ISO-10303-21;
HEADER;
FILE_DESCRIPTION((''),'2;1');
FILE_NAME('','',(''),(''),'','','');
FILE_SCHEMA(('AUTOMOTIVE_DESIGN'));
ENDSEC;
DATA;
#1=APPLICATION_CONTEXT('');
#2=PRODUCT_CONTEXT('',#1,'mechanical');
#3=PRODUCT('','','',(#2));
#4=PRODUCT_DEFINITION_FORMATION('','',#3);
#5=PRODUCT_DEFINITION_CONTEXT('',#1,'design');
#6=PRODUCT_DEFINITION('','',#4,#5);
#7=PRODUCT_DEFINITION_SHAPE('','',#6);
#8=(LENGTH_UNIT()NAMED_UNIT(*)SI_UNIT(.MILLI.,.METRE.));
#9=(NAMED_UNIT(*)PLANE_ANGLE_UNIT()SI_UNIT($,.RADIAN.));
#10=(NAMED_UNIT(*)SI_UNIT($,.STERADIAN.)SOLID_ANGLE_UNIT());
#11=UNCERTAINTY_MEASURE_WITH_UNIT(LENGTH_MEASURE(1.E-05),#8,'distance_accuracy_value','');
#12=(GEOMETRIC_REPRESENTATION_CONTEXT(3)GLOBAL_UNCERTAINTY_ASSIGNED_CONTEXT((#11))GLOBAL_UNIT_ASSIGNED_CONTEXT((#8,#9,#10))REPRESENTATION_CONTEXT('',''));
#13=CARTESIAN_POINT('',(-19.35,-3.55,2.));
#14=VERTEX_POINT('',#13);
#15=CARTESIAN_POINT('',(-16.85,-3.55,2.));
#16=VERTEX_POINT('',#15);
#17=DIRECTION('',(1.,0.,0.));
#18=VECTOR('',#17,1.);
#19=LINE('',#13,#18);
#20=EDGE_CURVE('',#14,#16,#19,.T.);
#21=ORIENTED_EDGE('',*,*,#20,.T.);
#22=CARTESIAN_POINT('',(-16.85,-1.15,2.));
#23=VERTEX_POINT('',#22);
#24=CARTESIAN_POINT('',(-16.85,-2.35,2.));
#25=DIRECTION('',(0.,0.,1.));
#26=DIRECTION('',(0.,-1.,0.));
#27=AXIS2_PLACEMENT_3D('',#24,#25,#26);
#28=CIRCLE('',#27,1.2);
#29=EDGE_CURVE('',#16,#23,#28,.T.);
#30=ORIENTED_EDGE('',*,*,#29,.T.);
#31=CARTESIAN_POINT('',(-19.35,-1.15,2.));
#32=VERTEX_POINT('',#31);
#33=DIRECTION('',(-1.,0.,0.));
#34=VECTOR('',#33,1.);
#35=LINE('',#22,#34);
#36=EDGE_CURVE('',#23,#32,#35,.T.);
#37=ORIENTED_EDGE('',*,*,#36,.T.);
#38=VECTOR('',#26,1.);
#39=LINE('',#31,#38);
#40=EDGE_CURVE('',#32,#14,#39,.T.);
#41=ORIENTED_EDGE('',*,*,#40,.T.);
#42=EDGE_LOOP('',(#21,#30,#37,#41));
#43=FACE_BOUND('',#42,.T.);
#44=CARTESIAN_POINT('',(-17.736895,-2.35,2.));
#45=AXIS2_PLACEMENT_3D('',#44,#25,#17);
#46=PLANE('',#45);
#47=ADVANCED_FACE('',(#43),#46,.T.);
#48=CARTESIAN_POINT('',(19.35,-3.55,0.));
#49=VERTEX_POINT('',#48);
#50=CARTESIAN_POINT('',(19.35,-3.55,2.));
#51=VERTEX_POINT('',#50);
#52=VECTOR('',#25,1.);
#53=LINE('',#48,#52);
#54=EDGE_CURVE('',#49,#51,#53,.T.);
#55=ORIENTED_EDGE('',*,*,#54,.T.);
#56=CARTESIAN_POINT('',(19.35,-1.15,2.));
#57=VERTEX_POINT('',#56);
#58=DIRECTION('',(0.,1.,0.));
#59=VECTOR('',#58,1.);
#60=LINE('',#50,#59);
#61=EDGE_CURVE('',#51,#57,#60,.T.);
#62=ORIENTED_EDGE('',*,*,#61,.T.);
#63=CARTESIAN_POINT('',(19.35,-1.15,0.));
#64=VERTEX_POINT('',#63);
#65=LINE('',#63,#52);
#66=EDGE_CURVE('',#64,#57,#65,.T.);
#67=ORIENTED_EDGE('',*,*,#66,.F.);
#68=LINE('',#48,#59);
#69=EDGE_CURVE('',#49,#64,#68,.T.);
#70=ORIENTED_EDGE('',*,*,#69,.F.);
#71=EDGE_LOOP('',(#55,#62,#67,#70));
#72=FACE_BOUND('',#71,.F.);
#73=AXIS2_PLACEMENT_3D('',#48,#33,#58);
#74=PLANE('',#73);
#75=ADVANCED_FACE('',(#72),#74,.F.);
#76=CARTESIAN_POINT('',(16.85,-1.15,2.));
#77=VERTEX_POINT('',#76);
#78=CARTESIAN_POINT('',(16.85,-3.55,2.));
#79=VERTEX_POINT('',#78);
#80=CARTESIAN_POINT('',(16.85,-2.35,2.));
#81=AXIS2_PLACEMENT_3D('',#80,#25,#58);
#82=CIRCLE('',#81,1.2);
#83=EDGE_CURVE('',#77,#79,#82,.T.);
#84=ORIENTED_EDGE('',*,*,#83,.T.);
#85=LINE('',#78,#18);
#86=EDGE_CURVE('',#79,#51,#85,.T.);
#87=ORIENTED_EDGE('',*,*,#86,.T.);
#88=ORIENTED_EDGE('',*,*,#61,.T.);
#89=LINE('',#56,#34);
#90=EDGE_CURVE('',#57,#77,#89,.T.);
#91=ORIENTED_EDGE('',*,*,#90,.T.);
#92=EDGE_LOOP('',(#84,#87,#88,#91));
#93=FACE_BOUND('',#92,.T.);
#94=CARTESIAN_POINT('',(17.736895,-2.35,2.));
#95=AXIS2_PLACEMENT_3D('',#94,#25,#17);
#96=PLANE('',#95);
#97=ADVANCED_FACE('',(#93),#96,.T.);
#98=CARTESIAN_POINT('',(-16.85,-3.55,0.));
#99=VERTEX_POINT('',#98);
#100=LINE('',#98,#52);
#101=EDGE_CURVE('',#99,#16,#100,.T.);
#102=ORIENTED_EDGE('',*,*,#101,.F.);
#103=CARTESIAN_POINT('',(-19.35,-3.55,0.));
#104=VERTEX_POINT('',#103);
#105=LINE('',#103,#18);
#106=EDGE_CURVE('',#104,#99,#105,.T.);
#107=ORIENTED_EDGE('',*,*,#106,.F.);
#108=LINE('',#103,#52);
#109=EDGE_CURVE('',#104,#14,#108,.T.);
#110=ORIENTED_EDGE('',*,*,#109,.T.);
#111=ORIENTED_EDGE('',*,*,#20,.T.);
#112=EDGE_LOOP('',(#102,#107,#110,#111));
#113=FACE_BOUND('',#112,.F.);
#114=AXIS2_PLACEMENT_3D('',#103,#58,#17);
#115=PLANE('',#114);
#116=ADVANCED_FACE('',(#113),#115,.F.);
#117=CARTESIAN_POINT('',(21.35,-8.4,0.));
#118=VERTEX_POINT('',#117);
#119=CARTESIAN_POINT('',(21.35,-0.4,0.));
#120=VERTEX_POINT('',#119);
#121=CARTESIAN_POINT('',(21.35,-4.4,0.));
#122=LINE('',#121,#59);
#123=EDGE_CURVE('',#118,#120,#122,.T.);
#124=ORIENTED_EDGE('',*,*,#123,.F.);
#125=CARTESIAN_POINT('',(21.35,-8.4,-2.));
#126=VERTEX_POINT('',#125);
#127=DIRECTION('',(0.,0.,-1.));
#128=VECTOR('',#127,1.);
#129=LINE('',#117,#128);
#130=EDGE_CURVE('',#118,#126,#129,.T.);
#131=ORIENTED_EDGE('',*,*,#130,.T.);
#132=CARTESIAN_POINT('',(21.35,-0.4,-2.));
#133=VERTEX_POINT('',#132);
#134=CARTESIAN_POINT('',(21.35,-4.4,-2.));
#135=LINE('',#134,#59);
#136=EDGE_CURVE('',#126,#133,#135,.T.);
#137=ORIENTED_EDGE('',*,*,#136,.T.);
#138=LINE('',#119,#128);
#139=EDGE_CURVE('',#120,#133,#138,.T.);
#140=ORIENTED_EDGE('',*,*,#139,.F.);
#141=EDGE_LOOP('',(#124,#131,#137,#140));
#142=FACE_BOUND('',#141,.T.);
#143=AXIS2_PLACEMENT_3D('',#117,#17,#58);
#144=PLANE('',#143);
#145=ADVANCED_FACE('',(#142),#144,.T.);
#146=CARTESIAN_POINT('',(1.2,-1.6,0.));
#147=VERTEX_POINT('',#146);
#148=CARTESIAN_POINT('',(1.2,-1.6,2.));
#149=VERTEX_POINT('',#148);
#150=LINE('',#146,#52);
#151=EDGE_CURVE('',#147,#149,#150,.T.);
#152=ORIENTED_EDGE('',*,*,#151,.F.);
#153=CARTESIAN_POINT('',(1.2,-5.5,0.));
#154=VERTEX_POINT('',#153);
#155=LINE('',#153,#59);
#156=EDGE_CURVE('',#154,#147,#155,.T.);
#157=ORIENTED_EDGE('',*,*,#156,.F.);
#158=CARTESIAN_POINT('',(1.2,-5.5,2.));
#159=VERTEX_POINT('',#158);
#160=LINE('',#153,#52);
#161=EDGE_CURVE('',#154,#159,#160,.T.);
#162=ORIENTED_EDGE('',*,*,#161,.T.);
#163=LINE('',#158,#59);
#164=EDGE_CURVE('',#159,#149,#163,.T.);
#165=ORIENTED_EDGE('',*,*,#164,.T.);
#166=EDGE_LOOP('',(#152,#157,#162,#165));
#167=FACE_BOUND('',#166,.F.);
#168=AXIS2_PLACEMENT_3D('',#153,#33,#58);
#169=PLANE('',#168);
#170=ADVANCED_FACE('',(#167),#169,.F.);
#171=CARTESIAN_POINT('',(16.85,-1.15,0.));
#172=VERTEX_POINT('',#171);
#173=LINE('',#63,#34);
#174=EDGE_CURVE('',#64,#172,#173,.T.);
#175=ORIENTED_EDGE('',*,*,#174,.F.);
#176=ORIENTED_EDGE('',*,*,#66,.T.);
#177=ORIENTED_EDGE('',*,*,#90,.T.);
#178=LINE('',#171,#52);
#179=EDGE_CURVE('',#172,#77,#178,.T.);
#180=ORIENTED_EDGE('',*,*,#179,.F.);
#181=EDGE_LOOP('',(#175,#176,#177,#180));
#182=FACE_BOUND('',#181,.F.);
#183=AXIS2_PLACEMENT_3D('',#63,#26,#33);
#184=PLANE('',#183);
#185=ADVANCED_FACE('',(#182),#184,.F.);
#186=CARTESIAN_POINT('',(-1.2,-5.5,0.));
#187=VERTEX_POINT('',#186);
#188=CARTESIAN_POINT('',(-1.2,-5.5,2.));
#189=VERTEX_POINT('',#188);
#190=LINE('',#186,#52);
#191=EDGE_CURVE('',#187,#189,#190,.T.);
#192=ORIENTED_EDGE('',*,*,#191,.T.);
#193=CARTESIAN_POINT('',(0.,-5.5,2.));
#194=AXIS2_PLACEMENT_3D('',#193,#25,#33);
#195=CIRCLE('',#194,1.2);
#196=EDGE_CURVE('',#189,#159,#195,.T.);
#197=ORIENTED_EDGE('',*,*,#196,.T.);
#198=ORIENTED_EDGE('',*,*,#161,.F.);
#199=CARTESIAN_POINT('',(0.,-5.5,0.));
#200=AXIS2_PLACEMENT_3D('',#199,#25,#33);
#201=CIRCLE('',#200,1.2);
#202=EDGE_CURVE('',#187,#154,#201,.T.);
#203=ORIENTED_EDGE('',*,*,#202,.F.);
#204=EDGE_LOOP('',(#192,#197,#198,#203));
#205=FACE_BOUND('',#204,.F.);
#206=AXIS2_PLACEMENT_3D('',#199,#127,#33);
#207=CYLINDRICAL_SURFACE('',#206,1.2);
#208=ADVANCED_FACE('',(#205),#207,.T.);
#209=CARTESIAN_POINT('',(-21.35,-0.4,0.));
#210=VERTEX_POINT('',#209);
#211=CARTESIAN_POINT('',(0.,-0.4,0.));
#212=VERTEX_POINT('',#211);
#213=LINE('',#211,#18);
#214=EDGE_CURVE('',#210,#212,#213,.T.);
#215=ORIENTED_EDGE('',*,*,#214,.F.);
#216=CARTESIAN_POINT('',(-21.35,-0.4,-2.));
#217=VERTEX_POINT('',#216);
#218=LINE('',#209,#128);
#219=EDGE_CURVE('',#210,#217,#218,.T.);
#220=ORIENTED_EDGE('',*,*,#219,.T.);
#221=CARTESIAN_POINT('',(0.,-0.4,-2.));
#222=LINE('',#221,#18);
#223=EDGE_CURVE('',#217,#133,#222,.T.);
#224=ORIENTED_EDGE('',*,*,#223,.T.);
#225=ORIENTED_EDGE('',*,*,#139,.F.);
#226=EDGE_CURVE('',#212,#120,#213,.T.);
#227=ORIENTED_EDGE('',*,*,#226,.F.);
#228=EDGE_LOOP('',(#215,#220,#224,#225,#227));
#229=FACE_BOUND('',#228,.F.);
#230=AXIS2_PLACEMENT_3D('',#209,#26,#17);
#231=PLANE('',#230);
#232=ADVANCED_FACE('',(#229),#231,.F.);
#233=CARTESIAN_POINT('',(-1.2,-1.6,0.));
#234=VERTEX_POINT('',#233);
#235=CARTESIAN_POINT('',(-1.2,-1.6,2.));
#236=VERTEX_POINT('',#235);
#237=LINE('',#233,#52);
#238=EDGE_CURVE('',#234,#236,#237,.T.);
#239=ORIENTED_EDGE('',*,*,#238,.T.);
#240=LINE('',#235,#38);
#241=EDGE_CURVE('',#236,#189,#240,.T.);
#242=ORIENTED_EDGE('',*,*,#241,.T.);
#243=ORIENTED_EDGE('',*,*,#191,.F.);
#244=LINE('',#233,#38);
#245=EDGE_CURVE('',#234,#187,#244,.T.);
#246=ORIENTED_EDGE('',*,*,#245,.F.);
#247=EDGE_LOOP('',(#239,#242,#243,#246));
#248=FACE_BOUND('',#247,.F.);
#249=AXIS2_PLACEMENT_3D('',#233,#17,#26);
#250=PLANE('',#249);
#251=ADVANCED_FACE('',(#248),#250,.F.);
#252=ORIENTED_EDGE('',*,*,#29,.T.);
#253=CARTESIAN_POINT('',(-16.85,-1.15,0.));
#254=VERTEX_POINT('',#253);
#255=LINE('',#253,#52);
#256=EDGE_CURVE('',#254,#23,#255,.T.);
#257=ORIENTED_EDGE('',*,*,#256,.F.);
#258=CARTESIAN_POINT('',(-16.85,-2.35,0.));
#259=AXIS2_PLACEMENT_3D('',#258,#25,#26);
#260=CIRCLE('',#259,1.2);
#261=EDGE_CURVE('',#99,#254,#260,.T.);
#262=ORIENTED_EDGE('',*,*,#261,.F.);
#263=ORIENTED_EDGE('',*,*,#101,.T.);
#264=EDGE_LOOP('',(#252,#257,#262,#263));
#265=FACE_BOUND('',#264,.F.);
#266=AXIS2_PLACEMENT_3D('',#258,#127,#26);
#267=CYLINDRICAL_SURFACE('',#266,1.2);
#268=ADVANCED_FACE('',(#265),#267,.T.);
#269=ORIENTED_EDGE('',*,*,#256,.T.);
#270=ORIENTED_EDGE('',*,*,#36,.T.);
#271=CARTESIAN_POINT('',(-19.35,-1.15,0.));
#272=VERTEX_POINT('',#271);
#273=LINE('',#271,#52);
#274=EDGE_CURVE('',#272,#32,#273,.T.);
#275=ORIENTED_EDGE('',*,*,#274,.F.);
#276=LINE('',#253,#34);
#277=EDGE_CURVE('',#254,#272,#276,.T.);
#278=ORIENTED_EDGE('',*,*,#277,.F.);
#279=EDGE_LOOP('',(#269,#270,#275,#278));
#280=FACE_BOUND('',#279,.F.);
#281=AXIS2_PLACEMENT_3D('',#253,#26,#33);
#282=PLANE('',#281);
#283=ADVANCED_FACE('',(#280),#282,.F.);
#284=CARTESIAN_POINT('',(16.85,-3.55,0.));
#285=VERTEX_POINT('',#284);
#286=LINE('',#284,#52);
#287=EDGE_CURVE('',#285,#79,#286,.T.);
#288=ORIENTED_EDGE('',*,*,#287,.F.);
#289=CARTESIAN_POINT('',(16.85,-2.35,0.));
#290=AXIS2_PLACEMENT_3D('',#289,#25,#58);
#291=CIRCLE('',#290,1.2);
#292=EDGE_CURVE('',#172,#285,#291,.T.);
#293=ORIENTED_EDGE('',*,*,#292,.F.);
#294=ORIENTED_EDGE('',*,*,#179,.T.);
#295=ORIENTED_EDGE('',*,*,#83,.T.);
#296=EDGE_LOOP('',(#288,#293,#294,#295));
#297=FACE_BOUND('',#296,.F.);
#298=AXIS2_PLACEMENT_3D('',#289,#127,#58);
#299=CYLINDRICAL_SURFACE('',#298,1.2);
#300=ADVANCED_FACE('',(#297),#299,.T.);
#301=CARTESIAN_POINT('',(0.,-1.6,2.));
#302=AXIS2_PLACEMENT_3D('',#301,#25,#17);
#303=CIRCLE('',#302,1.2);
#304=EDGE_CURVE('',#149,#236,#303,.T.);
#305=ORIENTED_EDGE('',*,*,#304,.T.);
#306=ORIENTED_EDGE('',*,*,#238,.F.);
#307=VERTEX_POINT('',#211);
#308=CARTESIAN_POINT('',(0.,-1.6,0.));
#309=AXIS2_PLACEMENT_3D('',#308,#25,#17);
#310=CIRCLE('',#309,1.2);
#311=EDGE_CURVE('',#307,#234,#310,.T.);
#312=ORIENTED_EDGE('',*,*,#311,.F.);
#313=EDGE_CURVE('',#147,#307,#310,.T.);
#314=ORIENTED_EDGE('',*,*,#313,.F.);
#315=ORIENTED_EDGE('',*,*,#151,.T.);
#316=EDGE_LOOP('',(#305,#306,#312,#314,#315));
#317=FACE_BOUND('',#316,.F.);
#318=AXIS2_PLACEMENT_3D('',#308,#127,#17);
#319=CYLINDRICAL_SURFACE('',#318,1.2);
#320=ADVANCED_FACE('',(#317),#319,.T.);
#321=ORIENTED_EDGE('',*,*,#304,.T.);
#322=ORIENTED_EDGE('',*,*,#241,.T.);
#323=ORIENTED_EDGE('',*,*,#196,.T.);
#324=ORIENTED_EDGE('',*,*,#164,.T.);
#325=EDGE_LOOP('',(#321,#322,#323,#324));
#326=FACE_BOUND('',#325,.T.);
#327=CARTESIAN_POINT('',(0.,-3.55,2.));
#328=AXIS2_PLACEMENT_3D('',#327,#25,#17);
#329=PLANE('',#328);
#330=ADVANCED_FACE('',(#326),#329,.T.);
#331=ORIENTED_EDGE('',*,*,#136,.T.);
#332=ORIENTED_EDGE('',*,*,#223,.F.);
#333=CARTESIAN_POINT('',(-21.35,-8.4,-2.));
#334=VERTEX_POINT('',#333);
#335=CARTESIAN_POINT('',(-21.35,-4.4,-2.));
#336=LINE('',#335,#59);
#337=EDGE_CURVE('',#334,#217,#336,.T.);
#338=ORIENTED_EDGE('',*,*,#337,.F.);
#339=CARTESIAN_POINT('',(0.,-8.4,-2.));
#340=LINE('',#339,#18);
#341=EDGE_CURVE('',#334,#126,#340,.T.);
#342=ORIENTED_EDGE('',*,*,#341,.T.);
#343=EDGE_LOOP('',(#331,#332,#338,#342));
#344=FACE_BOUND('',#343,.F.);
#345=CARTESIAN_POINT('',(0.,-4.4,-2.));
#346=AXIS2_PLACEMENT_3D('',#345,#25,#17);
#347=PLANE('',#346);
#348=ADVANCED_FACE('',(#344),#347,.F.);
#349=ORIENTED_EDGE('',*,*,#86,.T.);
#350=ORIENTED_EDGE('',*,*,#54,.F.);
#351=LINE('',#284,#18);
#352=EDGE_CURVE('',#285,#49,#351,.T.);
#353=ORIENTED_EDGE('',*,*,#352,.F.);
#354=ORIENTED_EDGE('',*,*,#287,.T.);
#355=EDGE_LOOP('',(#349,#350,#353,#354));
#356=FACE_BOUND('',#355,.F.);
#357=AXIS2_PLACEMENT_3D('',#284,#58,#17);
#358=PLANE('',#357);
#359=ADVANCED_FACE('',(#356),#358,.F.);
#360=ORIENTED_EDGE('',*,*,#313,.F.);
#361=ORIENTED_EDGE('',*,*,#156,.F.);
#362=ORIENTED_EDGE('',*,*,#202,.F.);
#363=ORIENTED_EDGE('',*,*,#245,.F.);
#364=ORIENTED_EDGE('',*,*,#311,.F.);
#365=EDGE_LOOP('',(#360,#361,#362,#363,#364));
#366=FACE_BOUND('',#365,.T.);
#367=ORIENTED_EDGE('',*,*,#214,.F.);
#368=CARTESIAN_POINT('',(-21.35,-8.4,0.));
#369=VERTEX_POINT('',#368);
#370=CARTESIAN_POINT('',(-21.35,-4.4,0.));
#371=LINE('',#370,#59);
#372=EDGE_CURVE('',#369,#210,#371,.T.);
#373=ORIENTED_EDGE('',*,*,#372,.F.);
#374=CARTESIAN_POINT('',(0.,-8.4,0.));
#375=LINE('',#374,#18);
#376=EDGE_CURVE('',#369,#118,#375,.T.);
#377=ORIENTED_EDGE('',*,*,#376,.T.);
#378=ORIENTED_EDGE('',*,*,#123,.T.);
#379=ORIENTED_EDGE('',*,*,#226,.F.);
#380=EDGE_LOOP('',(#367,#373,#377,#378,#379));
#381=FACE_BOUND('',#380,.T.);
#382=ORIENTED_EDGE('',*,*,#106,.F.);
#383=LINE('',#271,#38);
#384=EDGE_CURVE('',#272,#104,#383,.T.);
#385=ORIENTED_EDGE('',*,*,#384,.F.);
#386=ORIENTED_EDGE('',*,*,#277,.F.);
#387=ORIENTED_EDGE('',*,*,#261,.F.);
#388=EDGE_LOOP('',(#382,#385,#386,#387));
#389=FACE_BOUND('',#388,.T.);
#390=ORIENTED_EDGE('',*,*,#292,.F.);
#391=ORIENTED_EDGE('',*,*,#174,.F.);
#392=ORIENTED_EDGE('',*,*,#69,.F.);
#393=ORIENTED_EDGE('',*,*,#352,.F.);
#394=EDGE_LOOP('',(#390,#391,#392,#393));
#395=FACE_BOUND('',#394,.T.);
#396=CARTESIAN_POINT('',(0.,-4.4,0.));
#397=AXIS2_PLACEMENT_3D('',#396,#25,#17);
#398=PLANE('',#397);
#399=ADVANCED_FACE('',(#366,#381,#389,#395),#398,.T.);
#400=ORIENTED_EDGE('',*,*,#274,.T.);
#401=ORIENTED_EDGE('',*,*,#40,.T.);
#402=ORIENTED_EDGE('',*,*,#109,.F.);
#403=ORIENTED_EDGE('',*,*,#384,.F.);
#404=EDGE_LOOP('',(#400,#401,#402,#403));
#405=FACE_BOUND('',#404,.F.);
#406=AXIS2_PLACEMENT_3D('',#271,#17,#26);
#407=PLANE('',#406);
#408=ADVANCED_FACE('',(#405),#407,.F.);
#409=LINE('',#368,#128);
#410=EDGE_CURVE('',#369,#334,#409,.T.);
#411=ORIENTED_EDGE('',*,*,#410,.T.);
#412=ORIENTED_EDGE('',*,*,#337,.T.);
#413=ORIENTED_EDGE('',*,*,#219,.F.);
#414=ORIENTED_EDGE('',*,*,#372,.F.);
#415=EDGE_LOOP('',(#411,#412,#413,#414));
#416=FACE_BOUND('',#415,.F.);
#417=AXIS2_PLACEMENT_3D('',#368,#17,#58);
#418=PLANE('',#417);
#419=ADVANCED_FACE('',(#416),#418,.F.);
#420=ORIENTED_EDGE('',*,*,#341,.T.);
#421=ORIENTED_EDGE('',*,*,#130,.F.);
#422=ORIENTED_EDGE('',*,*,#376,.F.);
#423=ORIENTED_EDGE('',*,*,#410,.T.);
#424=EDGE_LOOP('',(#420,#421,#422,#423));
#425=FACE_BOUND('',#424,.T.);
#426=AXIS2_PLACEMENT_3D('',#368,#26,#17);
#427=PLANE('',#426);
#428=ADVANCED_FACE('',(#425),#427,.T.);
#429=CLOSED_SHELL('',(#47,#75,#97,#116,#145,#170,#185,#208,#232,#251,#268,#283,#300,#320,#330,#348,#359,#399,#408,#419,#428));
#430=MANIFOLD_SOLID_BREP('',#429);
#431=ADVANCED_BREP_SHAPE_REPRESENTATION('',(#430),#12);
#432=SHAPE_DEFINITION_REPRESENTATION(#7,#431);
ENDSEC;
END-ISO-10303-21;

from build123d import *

# Parameters (mm, degrees)
F1_DEPTH = 2
F2_W     = 42.7
F2_H     = 8
F3_DEPTH = 2


with BuildPart() as f1:
    # F0 (on Top) → F1 (new body)
    with BuildSketch(Plane.XY):
        with BuildLine():
            Line((-1.2, -1.6), (-1.2, -5.5))
            ThreePointArc((-1.2, -5.5), (0, -6.7), (1.2, -5.5))
            Line((1.2, -5.5), (1.2, -1.6))
            ThreePointArc((1.2, -1.6), (0, -0.4), (-1.2, -1.6))
        make_face()
        with BuildLine():
            Line((-16.85, -1.15), (-19.35, -1.15))
            Line((-19.35, -1.15), (-19.35, -3.55))
            Line((-19.35, -3.55), (-16.85, -3.55))
            ThreePointArc((-16.85, -3.55), (-15.65, -2.35), (-16.85, -1.15))
        make_face()
        with BuildLine():
            Line((19.35, -3.55), (19.35, -1.15))
            Line((19.35, -1.15), (16.85, -1.15))
            ThreePointArc((16.85, -1.15), (15.65, -2.35), (16.85, -3.55))
            Line((16.85, -3.55), (19.35, -3.55))
        make_face()
    extrude(amount=F1_DEPTH)

    # F2 (on Top) → F3 (join)
    with BuildSketch(Plane.XY):
        with Locations((0, -4.4)):
            Rectangle(F2_W, F2_H)
    extrude(amount=-F3_DEPTH)


solid = f1.part
